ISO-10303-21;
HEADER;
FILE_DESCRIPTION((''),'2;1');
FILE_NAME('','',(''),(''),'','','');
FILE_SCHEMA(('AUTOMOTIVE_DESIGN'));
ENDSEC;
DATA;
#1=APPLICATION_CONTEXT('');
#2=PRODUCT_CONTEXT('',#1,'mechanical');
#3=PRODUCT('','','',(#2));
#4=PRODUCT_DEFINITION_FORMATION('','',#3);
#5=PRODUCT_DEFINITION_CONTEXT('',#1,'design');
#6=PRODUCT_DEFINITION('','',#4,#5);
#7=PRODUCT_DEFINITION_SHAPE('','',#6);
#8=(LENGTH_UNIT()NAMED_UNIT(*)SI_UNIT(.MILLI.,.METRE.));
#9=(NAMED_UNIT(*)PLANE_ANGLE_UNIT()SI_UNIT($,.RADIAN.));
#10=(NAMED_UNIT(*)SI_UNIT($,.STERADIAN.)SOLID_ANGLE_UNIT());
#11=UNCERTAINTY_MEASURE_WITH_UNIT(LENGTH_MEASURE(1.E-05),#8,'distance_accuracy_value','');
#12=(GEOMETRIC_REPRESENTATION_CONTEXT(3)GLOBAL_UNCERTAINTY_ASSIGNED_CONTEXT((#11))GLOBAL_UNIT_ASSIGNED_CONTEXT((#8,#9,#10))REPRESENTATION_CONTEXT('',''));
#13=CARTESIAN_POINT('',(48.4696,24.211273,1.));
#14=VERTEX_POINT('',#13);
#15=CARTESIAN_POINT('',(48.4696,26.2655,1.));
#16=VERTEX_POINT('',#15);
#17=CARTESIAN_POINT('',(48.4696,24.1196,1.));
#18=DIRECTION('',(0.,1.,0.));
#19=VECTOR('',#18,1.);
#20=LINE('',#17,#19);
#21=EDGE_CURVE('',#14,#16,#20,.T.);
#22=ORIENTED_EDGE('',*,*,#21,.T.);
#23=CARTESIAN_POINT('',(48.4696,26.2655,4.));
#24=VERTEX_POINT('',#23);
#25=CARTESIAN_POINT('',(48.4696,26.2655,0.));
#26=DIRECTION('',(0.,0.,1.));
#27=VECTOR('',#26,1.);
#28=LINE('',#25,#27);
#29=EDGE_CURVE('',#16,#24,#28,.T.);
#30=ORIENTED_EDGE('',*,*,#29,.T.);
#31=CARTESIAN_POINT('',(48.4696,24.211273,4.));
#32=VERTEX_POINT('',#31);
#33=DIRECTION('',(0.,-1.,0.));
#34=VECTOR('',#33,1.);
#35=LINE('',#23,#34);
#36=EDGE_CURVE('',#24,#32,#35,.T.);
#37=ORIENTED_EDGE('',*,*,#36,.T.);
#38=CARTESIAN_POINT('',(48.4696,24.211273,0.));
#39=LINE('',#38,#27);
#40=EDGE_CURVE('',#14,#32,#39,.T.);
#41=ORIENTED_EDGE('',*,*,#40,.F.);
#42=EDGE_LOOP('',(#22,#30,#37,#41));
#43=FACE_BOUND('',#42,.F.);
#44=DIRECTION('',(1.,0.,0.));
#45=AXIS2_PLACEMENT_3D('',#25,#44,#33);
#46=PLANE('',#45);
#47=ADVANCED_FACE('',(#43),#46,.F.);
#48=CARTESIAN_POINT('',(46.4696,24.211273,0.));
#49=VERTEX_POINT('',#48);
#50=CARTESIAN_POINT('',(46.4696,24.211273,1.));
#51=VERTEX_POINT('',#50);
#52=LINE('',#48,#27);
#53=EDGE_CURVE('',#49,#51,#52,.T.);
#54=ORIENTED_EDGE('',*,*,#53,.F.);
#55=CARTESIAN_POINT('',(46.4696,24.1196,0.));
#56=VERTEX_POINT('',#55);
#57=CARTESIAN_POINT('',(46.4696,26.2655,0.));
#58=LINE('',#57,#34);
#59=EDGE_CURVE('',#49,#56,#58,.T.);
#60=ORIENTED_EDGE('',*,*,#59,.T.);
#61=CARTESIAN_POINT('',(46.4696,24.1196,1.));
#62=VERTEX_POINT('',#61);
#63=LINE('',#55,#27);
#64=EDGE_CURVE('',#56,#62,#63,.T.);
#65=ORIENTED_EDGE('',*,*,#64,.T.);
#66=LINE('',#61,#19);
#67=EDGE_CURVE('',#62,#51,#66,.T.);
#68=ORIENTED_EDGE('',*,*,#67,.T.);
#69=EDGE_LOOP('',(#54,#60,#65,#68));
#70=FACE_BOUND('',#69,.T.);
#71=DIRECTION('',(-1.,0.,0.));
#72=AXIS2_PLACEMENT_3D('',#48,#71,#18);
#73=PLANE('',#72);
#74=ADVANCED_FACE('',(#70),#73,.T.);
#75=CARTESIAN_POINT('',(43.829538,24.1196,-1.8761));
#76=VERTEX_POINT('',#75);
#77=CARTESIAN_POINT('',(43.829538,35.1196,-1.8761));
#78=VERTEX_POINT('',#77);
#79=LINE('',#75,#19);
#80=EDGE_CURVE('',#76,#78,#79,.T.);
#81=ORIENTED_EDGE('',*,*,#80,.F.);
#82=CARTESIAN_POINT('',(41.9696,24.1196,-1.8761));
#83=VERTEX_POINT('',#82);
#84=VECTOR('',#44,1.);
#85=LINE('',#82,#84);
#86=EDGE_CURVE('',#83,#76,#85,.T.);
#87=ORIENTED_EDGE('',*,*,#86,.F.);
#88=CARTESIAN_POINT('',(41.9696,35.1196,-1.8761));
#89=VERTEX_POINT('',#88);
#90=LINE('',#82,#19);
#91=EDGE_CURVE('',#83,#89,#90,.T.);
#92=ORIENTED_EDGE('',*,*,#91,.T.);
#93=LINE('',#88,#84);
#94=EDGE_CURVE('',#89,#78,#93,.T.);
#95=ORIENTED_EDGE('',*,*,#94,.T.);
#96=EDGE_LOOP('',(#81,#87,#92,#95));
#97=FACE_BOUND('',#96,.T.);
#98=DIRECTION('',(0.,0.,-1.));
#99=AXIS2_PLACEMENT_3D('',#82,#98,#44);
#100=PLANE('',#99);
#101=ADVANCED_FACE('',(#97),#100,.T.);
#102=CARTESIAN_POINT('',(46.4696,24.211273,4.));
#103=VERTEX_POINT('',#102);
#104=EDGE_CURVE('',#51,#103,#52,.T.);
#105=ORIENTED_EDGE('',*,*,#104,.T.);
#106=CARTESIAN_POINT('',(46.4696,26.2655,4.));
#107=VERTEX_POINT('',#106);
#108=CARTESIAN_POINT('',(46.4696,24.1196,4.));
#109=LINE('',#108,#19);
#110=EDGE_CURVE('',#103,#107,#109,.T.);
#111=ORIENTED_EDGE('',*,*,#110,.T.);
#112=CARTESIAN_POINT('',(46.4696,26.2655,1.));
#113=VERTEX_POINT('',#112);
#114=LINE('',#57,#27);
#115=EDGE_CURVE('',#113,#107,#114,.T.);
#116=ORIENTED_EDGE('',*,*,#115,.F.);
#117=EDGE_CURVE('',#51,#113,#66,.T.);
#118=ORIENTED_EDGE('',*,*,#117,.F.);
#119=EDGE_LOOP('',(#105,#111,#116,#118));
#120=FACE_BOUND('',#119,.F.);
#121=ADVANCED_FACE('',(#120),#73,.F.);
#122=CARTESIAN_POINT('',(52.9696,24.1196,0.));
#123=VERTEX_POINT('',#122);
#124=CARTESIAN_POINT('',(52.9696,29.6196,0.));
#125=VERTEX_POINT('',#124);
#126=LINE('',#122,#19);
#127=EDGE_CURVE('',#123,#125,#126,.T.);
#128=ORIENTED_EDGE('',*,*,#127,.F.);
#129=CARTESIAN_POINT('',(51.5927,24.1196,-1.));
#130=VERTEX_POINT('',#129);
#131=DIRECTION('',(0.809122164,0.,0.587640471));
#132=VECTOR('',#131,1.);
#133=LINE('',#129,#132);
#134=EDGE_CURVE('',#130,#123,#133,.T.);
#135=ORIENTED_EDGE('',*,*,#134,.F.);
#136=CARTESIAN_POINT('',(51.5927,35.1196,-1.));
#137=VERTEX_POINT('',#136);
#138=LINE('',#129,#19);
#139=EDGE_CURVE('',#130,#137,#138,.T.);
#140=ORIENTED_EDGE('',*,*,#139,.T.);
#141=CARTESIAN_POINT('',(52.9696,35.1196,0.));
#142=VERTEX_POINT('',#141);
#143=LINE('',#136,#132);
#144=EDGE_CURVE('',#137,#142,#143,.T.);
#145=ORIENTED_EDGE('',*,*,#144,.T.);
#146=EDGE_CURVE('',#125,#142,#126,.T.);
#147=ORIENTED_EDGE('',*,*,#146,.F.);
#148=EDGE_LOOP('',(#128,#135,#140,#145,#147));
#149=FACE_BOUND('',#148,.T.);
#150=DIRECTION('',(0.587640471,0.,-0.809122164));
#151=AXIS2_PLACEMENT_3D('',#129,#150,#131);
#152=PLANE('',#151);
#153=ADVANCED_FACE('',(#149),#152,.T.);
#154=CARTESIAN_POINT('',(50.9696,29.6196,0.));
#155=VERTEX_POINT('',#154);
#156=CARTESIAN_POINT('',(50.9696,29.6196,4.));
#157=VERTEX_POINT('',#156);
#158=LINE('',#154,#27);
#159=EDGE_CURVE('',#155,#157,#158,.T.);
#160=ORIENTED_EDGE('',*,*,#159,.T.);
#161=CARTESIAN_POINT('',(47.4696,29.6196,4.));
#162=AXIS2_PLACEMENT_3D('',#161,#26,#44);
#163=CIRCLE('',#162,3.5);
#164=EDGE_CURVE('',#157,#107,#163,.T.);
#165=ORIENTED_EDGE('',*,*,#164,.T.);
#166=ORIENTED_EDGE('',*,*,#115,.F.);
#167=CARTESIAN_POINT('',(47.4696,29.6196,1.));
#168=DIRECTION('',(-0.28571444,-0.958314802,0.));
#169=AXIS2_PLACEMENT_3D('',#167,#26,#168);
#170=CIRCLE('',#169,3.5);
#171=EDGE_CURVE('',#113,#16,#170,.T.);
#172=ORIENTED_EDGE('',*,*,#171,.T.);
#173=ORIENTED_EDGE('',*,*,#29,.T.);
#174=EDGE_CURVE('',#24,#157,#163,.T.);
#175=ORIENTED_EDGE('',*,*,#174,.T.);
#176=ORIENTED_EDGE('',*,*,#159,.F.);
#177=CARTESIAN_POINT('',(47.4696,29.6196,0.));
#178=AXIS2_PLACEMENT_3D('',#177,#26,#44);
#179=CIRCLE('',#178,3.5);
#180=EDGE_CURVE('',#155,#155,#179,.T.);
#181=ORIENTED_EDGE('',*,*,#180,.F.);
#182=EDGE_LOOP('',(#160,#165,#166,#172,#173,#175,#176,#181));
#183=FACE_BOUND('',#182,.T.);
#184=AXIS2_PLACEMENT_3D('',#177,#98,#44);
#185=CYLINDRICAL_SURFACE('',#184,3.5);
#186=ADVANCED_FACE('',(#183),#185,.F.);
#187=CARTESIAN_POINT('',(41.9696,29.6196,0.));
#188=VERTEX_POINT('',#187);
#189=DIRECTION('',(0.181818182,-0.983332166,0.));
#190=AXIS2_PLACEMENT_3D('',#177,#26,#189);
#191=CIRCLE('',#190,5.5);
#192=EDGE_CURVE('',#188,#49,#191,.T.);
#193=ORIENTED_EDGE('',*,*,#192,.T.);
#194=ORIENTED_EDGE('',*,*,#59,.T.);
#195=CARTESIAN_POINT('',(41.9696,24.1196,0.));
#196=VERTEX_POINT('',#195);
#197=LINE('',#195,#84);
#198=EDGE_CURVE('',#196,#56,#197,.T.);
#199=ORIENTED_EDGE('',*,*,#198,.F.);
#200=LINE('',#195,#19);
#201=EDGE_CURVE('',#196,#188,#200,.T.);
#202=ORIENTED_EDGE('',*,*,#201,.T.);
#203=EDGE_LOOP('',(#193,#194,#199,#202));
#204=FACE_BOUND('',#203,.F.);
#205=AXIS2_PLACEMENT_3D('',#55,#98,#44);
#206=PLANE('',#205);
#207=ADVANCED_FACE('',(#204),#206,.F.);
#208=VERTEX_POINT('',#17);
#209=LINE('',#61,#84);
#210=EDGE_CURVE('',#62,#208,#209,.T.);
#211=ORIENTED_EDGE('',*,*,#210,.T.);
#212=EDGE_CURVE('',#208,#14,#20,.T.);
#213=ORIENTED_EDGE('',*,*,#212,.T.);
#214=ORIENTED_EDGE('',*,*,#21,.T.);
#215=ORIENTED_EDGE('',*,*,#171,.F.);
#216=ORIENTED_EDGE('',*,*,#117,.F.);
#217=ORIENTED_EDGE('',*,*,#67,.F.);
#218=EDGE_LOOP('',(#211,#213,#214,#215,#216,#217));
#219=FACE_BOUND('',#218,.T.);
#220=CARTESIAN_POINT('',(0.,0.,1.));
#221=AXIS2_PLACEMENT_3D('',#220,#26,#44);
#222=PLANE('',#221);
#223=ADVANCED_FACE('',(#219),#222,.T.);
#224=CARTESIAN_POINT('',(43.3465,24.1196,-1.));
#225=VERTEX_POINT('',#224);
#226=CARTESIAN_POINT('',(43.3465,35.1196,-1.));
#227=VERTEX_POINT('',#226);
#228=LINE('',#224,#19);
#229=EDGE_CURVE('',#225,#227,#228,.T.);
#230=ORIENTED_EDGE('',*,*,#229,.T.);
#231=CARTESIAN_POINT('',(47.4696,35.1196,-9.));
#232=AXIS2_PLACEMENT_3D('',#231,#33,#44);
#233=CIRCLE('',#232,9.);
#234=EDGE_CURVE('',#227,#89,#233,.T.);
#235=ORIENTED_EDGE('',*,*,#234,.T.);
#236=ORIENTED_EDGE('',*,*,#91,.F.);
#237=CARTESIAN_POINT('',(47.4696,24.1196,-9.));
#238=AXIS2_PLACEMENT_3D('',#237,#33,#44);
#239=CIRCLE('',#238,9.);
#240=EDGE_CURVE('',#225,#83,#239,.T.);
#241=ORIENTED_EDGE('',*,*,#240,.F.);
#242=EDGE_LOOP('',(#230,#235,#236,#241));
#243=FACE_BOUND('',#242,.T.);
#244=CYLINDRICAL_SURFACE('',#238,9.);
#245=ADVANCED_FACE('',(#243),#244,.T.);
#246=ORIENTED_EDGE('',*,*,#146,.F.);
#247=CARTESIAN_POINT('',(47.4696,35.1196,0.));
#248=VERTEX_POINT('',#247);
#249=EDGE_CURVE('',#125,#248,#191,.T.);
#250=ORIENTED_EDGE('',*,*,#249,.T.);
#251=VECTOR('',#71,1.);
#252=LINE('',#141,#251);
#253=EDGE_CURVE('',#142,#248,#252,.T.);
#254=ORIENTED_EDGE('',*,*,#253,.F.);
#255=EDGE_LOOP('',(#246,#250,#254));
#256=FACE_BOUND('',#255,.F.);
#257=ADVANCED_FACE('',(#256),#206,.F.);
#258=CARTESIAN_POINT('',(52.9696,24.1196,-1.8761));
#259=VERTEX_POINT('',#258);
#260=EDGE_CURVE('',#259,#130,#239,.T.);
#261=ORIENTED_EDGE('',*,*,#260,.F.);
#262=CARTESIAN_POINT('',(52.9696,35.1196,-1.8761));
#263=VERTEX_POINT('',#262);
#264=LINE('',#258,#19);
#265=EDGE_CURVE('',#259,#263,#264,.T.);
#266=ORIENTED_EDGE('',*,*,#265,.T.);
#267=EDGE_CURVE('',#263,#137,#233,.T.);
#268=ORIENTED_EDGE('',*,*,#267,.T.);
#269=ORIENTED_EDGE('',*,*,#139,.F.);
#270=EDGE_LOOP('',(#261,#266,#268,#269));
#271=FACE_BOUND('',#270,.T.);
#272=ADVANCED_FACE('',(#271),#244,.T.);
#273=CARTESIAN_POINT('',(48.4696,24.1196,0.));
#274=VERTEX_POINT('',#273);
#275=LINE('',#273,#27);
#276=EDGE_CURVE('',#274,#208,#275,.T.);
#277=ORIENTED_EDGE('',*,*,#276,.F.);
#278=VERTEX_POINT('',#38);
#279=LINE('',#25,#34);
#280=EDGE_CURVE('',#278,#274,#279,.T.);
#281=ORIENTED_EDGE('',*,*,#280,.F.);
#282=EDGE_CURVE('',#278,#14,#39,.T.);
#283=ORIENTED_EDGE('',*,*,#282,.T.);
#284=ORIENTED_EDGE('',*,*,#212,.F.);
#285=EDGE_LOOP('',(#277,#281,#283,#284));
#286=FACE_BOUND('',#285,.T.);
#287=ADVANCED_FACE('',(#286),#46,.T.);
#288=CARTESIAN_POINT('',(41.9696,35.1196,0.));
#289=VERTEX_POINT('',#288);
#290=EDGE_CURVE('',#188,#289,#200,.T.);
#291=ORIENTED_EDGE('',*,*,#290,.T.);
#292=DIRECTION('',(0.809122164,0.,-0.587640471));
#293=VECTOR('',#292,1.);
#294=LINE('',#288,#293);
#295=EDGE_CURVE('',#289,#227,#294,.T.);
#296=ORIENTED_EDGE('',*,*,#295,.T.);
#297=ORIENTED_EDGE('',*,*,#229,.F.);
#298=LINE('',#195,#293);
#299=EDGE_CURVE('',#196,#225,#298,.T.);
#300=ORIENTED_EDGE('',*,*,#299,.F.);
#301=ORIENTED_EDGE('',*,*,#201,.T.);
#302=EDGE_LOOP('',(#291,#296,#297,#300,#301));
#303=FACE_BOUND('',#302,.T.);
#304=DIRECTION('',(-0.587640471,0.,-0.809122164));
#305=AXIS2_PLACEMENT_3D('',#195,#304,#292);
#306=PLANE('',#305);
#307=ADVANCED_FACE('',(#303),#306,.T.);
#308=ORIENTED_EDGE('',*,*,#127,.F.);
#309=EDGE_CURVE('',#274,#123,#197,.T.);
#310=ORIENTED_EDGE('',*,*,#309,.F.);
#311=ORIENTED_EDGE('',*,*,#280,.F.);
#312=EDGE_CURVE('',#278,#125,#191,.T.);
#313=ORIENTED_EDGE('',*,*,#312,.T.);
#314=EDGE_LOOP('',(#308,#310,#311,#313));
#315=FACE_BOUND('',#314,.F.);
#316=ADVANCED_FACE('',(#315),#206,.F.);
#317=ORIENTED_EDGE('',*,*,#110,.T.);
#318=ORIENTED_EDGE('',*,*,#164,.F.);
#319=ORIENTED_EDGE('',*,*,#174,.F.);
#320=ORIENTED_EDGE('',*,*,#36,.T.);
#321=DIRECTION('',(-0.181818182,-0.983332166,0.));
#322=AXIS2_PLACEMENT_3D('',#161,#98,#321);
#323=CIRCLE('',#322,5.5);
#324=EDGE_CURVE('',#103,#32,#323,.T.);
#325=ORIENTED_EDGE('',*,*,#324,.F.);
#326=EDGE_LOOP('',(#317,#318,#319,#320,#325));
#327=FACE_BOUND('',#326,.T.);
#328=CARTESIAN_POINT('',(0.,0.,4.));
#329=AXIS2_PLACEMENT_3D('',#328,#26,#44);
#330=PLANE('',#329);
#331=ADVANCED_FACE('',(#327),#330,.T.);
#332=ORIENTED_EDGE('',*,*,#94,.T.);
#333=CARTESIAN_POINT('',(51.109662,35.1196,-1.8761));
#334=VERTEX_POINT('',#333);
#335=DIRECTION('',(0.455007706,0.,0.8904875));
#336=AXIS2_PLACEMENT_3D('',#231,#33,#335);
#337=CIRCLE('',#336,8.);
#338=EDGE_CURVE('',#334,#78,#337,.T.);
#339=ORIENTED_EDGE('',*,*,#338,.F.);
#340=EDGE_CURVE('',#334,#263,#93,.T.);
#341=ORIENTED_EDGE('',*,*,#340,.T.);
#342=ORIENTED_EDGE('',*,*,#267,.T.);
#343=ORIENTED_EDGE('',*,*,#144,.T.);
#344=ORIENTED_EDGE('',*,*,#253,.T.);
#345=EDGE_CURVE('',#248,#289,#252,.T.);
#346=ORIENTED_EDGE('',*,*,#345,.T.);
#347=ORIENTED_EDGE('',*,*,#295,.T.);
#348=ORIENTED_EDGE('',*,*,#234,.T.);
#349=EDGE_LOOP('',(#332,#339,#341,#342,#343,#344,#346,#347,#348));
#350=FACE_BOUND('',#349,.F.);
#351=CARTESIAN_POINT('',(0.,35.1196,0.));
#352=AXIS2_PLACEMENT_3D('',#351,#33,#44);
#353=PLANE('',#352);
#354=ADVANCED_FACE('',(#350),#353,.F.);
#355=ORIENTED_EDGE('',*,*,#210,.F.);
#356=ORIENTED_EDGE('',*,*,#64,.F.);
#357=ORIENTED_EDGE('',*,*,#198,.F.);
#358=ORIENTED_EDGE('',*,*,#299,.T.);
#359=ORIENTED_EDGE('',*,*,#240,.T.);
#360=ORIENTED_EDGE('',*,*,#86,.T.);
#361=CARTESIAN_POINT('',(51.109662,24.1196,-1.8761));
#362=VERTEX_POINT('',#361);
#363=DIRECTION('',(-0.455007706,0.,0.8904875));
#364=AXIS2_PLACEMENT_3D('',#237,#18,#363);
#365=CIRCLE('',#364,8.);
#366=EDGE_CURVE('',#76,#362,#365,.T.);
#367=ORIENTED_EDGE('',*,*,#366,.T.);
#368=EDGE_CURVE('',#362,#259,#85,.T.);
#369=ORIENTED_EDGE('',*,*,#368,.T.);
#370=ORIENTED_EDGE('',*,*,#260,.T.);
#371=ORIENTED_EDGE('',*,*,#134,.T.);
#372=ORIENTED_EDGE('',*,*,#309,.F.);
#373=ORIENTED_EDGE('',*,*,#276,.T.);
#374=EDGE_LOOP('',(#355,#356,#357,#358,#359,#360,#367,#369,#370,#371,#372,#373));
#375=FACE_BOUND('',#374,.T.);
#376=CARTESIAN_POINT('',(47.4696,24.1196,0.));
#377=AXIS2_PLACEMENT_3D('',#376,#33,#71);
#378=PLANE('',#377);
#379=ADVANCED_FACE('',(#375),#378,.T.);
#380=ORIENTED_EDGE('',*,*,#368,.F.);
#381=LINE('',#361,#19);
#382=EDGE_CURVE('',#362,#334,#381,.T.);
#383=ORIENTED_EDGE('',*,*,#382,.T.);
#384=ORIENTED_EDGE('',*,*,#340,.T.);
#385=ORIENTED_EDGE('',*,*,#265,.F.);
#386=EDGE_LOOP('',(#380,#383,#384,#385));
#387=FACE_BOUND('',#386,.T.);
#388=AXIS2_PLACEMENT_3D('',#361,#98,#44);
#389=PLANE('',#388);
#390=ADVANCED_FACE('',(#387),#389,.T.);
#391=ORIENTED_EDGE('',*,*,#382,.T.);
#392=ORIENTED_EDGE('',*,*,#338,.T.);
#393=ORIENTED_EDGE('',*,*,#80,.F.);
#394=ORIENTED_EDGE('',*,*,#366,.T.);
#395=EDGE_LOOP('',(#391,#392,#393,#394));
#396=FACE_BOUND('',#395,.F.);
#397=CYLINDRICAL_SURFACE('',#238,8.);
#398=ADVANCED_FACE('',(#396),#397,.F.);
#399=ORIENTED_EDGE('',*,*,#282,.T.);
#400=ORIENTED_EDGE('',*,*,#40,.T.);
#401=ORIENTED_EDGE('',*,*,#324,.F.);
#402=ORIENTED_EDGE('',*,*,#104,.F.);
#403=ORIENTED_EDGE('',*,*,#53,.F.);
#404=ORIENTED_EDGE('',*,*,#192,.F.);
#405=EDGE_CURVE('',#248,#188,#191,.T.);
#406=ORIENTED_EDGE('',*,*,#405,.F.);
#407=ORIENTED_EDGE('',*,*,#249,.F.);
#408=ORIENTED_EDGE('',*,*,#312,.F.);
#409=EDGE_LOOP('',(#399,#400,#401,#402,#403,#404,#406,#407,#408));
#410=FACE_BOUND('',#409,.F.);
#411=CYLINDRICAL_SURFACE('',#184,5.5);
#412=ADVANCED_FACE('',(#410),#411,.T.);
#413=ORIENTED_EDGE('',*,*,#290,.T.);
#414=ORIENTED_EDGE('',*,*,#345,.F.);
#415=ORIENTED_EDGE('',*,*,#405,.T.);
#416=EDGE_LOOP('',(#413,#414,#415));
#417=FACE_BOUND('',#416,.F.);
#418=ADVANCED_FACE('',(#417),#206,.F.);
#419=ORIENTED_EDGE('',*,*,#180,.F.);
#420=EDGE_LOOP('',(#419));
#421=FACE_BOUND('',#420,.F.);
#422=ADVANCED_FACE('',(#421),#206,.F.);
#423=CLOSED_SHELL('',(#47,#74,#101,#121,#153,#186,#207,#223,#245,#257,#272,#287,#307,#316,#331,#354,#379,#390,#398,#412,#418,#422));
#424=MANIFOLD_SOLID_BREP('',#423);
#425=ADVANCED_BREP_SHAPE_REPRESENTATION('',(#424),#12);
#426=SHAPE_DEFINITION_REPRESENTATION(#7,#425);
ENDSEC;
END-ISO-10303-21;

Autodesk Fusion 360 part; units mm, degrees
sketch "Esquisse1" plane through (0, 0, 0) normal (0, 0, 1) x (1, 0, 0)
  circle A0 centre (47.4696, 29.6196) radius 5.5
  circle A1 centre (47.4696, 29.6196) radius 3.5
  line L0 (47.4696, 29.6196) -> (47.4696, 24.1196)
  line L1 (46.4696, 26.2655) -> (48.4696, 26.2655)
  line L2 (48.4696, 26.2655) -> (48.4696, 24.1196)
  line L3 (48.4696, 24.1196) -> (46.4696, 24.1196)
  line L4 (46.4696, 24.1196) -> (46.4696, 26.2655)
  dimension "d5" = 7
  dimension "d6" = 2
  dimension "d7" = 1
extrude "Extrusion1" add sketch "Esquisse1" along normal blind 4 contours A0 A1 L2 L4
extrude "Extrusion2" add sketch "Esquisse1" along normal blind 1 contours A0 A1 L0 L4 | A0 L3 L4 | A0 L2 L3 | A0 A1 L0 L2
sketch "Esquisse2" plane through (0, 24.1196, 0) normal (0, -1, 0) x (1, 0, 0)
  line L0 (46.4696, 0) -> (48.4696, 0)
  line L1 (48.4696, 0) -> (48.4696, 1)
  line L2 (48.4696, 1) -> (46.4696, 1)
  line L3 (46.4696, 1) -> (46.4696, 0)
  circle A0 centre (47.4696, -9) radius 8
  circle A1 centre (47.4696, -9) radius 9
  line L4 (47.4696, 0) -> (47.4696, -9)
  line L5 (48.4696, 0) -> (46.4696, 0)
  line L6 (43.3465, -1) -> (51.5927, -1)
  line L7 (51.5927, -1) -> (52.9696, 0)
  line L8 (41.9696, 0) -> (43.3465, -1)
  line L9 (47.4696, 0) -> (41.9696, 0)
  line L10 (47.4696, 0) -> (52.9696, 0)
  line L11 (38.9843, -6) -> (55.9549, -6)
  line L12 (41.9696, -1.8761) -> (52.9696, -1.8761)
  dimension "d12" = 1
  dimension "d13" = 16
  dimension "d14" = 5.5
  dimension "d15" = 5.5
  dimension "d16" = 5
extrude "Extrusion3" add sketch "Esquisse2" against normal blind 11 contours L0 A1 L5 L8 L9 | L0 A1 L5 L7 L10 | A1 L4 L6 | A1 L4 L6 | A0 A1 L6 L12 | A0 A1 L6 L12
